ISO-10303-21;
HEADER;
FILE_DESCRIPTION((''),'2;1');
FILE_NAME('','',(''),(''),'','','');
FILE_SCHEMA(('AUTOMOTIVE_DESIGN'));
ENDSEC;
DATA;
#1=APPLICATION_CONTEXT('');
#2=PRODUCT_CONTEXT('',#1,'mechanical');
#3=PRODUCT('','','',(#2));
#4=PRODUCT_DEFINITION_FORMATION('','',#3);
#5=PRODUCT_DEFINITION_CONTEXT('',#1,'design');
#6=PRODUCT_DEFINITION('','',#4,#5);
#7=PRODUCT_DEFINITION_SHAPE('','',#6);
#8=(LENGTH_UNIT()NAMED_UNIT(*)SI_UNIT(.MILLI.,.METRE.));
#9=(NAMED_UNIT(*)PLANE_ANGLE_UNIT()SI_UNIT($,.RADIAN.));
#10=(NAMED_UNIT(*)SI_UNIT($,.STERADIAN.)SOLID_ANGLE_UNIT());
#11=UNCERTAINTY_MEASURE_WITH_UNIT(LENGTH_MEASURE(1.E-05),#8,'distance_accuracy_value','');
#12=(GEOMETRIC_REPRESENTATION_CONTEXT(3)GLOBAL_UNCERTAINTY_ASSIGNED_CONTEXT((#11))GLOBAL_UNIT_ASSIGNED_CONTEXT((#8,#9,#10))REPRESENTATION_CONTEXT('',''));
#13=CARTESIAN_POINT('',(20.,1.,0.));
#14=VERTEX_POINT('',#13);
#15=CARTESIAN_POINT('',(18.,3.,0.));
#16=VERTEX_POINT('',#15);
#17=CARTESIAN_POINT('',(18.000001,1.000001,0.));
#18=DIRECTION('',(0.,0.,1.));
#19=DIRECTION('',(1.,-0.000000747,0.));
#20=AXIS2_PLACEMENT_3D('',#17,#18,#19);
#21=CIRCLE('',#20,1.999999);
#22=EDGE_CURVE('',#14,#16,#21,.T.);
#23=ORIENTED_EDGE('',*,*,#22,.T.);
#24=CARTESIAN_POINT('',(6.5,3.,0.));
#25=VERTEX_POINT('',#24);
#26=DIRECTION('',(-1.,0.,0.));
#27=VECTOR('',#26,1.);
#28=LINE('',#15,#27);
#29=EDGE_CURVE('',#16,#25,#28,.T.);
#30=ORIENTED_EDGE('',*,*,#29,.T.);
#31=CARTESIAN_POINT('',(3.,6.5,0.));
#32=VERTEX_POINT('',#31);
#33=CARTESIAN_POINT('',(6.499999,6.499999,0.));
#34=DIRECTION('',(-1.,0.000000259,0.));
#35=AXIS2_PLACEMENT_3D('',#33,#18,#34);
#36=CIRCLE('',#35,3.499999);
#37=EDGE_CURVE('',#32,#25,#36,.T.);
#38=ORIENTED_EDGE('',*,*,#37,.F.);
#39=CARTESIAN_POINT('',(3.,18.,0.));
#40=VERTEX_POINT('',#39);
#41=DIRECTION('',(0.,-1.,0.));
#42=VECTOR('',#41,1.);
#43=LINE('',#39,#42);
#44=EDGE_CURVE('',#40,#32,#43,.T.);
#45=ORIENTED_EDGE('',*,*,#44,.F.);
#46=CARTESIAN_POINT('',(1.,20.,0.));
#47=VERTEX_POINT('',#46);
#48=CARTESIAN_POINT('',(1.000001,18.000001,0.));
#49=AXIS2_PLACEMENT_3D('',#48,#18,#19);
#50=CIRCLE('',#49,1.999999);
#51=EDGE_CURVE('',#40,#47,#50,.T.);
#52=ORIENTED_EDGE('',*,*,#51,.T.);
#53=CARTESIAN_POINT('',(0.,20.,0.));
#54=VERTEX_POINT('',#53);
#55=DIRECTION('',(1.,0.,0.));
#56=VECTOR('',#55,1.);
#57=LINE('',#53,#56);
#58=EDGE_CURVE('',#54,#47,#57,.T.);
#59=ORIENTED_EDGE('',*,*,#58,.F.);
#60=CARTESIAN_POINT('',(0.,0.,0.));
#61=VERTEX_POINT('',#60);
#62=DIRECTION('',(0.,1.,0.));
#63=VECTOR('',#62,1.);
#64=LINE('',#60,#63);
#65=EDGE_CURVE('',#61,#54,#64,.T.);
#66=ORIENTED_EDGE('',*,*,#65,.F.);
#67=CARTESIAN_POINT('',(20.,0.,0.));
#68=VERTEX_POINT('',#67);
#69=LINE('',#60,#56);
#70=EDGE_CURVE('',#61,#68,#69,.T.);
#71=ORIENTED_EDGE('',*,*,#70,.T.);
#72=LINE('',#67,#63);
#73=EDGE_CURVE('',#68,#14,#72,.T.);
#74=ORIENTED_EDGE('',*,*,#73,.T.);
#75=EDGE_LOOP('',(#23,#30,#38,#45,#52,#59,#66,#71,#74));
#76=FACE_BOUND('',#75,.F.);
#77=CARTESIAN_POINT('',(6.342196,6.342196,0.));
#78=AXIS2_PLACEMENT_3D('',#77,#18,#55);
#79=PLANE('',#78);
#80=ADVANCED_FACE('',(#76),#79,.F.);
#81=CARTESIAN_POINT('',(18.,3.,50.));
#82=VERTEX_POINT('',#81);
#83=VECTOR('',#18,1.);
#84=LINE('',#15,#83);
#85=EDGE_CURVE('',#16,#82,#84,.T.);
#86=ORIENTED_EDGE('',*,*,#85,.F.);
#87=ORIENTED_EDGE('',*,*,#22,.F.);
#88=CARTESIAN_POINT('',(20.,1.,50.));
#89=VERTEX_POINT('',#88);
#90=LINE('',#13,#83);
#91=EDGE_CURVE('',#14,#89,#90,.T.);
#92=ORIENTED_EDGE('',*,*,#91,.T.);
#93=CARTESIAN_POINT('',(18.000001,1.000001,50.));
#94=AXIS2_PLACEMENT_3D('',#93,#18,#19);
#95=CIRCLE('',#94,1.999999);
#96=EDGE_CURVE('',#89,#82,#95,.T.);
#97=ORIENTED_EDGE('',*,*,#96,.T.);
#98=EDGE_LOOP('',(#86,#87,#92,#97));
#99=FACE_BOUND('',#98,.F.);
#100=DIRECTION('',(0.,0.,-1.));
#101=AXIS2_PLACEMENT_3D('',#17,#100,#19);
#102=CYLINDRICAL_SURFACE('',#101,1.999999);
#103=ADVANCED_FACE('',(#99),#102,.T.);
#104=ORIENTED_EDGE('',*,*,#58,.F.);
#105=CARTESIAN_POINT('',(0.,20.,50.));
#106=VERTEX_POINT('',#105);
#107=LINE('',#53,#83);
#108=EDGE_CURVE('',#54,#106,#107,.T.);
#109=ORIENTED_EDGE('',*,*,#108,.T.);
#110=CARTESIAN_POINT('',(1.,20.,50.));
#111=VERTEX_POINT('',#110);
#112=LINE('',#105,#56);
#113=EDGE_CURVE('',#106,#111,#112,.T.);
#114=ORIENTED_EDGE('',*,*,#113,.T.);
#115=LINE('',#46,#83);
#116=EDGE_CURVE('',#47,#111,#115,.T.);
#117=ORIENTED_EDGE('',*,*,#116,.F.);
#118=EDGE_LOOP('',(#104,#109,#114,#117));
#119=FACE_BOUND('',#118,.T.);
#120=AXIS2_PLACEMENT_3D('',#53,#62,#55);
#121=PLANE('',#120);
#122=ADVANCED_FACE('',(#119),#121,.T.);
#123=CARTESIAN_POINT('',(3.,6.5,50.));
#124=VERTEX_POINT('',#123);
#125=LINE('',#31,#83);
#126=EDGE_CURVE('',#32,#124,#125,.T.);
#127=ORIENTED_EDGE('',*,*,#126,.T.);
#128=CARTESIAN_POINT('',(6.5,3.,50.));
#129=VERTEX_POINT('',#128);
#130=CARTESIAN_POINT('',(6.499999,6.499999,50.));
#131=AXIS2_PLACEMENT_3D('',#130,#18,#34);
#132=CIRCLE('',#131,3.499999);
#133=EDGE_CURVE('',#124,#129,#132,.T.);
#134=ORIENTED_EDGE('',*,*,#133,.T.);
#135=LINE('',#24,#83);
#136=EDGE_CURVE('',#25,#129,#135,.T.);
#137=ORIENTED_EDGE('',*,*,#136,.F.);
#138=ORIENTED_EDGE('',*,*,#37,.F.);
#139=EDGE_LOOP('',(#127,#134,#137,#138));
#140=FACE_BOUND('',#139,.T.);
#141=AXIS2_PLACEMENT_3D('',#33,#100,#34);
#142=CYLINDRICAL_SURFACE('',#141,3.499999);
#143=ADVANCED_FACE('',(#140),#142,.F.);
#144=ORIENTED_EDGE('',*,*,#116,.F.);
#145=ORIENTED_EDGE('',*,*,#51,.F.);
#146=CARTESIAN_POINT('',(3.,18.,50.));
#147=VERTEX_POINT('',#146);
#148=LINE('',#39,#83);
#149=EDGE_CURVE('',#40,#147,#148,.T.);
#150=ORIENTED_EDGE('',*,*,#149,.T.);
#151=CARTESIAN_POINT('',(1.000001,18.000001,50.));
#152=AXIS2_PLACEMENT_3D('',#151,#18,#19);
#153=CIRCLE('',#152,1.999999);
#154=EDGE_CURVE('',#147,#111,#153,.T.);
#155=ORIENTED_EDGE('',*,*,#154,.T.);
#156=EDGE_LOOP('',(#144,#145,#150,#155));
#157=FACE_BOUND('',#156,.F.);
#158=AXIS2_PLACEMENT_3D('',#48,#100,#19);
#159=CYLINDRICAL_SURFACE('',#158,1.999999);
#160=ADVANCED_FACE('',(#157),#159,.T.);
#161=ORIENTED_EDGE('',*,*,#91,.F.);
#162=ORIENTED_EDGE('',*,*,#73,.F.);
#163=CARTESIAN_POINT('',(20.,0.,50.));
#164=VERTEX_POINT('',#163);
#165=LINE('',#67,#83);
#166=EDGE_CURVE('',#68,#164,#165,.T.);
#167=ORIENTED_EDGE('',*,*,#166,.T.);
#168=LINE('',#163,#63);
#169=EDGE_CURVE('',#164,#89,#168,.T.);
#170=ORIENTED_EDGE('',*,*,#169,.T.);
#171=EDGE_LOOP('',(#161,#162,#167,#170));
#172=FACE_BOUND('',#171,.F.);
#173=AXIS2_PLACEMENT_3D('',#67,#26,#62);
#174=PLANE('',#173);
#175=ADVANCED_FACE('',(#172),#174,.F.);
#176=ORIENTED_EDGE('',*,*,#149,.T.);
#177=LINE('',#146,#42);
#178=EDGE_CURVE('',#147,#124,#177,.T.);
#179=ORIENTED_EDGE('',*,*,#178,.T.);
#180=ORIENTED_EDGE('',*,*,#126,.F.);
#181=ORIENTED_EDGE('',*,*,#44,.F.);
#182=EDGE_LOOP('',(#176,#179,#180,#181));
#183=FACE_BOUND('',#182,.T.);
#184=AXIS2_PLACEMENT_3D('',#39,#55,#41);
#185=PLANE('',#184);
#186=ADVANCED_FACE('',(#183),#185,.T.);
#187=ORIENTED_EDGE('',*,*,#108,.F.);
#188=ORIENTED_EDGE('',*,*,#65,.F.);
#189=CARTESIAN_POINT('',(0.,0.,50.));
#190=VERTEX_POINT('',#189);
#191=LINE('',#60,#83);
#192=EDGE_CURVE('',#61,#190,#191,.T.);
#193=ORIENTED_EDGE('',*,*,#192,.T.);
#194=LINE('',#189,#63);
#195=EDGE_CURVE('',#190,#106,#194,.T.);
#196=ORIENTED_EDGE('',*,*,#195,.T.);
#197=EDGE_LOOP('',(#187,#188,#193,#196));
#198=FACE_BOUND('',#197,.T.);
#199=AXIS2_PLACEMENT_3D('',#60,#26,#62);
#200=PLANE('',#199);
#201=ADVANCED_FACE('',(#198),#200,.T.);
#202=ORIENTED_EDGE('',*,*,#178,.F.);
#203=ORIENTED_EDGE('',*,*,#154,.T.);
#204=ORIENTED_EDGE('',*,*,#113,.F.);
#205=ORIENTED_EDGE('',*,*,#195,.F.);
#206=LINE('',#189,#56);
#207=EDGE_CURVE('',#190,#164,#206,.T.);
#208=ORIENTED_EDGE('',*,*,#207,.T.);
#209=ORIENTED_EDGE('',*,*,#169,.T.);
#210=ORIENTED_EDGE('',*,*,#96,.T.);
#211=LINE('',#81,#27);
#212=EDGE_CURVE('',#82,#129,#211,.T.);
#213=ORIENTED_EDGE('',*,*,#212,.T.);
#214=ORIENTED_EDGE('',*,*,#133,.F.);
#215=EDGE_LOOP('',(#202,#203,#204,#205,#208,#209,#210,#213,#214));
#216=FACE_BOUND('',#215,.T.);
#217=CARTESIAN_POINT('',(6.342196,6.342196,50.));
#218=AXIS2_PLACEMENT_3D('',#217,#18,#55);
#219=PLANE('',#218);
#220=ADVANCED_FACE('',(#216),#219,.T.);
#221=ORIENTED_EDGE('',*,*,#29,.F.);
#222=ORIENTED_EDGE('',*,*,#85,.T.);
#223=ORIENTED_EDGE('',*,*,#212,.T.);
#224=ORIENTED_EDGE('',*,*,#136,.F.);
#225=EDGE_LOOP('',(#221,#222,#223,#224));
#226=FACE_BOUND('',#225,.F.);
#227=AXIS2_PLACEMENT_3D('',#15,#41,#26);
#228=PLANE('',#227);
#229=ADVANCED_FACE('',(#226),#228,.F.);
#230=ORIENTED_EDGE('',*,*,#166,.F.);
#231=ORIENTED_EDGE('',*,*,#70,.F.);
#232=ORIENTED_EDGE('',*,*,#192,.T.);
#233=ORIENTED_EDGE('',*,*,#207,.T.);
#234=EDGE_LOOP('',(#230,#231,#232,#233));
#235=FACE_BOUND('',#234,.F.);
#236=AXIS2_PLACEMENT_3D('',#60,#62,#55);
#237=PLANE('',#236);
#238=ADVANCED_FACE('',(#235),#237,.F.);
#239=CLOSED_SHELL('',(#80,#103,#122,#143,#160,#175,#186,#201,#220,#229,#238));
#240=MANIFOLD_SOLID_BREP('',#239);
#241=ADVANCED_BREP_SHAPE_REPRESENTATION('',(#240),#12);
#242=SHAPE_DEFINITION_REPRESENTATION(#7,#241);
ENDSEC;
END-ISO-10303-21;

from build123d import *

# Parameters (mm, degrees)
EXTRUDE_DEPTH = 50


with BuildPart() as part:
    # Sketch → Extrude (new body)
    with BuildSketch(Plane.XY):
        with BuildLine():
            Line((0, 0), (20, 0))
            Line((20, 0), (20, 1))
            ThreePointArc((20, 1), (19.414214, 2.414214), (18, 3))
            Line((18, 3), (6.5, 3))
            ThreePointArc((3, 6.5), (4.025126, 4.025126), (6.5, 3))
            Line((3, 18), (3, 6.5))
            ThreePointArc((3, 18), (2.414214, 19.414214), (1, 20))
            Line((0, 20), (1, 20))
            Line((0, 0), (0, 20))
        make_face()
    extrude(amount=EXTRUDE_DEPTH)


solid = part.part
